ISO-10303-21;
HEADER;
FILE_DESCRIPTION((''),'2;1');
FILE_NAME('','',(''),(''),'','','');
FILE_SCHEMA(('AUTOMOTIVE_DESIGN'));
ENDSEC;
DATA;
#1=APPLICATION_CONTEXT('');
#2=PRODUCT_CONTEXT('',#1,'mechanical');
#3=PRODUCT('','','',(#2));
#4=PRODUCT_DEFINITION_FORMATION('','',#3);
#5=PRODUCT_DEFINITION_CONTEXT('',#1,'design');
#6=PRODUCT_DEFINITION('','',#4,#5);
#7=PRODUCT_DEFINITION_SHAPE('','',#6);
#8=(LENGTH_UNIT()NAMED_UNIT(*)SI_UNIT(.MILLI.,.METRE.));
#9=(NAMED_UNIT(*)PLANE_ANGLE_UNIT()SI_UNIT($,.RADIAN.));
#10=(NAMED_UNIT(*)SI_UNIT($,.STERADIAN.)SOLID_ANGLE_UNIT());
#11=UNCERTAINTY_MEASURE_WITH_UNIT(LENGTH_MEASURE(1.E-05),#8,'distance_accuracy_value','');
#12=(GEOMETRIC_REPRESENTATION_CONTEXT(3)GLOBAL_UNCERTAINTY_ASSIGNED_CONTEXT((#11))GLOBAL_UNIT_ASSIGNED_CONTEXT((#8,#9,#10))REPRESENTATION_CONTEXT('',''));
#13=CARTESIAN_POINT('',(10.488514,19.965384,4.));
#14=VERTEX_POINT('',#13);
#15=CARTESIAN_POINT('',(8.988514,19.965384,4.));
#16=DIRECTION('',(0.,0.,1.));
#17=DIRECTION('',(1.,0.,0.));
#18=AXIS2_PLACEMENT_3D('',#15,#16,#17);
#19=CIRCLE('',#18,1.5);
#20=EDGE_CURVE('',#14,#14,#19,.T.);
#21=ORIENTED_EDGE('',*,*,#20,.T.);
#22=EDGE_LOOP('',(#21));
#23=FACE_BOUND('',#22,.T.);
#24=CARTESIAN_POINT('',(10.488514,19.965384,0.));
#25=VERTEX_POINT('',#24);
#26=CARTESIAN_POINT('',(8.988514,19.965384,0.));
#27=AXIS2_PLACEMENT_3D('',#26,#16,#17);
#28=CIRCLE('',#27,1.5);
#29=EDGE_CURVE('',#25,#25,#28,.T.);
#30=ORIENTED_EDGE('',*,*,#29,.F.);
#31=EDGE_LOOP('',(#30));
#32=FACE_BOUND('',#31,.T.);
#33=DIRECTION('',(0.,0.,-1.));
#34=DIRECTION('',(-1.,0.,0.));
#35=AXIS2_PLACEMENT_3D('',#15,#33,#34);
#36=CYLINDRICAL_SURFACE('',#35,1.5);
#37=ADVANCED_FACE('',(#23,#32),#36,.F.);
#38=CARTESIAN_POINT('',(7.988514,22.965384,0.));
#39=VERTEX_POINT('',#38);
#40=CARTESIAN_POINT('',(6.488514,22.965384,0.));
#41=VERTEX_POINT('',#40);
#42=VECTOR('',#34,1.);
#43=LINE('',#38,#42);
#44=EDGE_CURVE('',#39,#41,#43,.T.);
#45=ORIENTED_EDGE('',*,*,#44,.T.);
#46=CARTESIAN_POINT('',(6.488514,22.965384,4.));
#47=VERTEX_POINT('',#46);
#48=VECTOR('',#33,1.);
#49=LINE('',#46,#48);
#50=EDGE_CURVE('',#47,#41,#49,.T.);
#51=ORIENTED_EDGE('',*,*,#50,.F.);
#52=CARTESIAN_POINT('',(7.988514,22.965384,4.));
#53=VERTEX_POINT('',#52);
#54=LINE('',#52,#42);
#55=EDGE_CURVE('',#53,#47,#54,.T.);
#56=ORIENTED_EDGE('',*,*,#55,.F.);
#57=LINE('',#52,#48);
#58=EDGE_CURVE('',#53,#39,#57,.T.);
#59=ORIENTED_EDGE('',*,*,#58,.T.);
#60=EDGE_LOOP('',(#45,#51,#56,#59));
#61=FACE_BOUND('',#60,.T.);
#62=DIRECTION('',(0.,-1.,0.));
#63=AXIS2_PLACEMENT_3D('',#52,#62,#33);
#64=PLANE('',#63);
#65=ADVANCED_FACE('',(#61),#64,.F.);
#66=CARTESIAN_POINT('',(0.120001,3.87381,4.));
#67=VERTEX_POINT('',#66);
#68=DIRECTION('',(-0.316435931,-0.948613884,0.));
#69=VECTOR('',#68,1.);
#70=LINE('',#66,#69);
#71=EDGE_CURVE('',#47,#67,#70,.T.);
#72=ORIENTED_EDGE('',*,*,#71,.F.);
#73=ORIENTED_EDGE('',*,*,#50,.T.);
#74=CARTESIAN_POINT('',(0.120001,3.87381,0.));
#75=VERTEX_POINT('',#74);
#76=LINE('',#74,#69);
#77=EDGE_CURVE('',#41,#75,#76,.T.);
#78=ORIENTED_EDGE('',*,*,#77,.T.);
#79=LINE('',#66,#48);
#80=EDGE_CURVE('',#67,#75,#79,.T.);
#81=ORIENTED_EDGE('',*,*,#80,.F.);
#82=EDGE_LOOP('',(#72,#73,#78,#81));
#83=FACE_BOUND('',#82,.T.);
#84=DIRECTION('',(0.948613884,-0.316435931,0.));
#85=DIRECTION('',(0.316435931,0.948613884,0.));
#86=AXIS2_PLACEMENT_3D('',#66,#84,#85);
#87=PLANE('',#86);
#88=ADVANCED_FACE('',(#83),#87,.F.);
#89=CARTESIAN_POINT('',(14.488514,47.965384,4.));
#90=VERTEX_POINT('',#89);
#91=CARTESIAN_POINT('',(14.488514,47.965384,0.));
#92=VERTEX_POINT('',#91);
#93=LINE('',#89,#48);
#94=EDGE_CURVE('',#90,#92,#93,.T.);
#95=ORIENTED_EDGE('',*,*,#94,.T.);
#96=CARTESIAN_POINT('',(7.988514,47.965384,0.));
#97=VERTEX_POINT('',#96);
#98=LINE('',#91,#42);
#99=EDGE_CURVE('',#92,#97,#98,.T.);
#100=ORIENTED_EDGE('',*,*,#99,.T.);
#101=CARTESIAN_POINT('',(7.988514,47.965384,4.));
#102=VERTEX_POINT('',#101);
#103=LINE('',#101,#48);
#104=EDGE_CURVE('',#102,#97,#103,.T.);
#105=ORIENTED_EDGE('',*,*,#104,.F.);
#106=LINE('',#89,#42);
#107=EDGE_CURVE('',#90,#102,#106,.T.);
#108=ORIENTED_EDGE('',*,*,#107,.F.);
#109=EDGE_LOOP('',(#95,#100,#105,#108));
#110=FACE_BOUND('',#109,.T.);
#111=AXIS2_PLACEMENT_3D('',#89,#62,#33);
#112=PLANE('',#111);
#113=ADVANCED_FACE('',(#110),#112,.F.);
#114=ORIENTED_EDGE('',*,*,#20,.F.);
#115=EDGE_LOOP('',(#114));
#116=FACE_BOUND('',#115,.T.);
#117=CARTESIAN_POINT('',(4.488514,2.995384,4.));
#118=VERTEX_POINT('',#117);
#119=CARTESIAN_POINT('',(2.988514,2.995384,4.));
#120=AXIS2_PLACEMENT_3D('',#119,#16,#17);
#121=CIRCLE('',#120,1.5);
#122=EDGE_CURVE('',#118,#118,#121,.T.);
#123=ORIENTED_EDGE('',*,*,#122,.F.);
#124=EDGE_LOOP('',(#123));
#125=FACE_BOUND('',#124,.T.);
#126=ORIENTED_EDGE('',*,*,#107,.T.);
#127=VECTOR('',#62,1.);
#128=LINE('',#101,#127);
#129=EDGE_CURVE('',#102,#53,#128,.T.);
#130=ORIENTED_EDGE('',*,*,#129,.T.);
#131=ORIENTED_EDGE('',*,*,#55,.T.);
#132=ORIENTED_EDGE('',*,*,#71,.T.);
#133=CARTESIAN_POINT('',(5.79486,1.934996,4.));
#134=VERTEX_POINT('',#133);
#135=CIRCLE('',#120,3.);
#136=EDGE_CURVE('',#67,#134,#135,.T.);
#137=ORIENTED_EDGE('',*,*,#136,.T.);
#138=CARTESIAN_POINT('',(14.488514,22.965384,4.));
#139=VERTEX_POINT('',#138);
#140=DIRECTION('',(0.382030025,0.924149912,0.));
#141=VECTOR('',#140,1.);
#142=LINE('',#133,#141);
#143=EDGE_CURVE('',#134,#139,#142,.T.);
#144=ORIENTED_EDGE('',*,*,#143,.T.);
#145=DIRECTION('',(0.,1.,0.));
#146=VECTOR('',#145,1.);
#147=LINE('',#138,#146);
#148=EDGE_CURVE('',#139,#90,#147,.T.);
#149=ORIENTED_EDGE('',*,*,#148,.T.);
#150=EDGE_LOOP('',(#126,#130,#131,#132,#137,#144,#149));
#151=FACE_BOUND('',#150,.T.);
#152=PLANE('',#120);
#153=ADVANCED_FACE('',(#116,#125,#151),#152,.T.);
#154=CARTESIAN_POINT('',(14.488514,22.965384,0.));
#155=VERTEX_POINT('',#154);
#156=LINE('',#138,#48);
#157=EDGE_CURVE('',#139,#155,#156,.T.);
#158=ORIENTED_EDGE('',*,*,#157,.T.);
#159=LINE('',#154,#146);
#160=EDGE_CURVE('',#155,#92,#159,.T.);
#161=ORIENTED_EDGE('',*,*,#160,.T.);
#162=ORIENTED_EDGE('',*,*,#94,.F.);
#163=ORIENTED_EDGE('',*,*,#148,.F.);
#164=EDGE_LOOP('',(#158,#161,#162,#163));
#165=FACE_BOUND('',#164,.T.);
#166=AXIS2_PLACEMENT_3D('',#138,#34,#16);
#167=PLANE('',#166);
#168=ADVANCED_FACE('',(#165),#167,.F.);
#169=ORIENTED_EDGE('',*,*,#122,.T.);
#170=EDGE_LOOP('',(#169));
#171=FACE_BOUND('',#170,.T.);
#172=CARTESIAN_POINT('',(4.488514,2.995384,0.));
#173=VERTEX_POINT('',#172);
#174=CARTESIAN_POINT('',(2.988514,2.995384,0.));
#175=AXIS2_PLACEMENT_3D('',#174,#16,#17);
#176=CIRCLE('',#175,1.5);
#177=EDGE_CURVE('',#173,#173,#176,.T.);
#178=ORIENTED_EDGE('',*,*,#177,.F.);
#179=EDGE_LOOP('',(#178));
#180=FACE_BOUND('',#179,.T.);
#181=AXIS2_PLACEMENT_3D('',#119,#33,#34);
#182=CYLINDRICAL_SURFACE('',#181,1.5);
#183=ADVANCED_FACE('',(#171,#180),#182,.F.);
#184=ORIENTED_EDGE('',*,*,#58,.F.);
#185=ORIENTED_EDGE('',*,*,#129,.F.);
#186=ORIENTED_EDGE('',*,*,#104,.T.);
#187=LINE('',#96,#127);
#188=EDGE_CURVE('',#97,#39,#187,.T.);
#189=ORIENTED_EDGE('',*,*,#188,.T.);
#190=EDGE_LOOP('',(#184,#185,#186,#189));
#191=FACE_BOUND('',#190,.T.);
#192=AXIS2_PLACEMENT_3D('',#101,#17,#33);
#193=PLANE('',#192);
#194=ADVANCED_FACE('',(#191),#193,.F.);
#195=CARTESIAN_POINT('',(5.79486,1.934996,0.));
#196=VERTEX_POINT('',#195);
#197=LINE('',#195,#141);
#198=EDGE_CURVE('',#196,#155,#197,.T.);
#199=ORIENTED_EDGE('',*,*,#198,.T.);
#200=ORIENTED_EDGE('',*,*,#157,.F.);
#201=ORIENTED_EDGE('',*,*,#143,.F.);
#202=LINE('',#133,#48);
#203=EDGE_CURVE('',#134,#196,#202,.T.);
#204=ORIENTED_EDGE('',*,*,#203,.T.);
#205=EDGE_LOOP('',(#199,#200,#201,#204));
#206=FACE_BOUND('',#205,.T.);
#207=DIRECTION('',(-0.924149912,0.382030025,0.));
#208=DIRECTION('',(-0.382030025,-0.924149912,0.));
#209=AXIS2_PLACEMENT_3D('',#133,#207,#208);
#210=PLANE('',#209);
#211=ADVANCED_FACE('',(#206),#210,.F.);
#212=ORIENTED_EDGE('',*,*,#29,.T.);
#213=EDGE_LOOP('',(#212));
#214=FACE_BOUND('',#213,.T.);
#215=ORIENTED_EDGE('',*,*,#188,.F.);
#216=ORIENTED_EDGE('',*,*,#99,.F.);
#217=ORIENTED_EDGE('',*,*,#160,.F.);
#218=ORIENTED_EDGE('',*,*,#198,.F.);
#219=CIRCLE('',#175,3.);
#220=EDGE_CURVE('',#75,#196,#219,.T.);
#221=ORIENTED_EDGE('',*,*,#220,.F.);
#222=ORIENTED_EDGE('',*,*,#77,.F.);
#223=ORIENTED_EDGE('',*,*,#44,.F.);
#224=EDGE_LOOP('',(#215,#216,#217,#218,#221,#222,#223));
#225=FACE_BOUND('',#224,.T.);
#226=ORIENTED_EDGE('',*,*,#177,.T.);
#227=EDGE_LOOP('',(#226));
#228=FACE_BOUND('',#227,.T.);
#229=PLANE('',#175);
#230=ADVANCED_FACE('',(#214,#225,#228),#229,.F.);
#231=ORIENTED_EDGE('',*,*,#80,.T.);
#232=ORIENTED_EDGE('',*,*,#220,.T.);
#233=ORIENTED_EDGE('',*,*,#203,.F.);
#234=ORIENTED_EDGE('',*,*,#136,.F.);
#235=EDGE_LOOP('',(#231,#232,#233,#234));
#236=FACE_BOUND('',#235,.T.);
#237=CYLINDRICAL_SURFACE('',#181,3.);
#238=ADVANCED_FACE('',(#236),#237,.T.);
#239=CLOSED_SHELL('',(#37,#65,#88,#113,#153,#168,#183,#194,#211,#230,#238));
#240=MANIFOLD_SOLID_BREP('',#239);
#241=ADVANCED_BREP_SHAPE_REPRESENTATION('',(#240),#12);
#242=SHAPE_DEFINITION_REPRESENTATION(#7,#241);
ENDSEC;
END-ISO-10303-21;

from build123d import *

# Parameters (mm, degrees)
SKETCH1_R           = 1.5
BOSS_EXTRUDE1_DEPTH = 4


with BuildPart() as part:
    # Sketch1 → Boss-Extrude1 (new body)
    with BuildSketch(Plane.XY):
        with BuildLine():
            Line((14.488514014, 22.965384222), (14.488514014, 47.965384222))
            Line((14.488514014, 47.965384222), (7.988514014, 47.965384222))
            Line((7.988514014, 47.965384222), (7.988514014, 22.965384222))
            Line((7.988514014, 22.965384222), (6.488514014, 22.965384222))
            Line((6.488514014, 22.965384222), (0.12000074, 3.87380986))
            ThreePointArc((0.12000074, 3.87380986), (2.018608705, 0.156496466), (5.794859705, 1.93499568))
            Line((5.794859705, 1.93499568), (14.488514014, 22.965384222))
        make_face()
        with Locations((2.988514014, 2.995384222)):
            Circle(SKETCH1_R, mode=Mode.SUBTRACT)
        with Locations((8.988514014, 19.965384222)):
            Circle(SKETCH1_R, mode=Mode.SUBTRACT)
    extrude(amount=BOSS_EXTRUDE1_DEPTH)


solid = part.part
